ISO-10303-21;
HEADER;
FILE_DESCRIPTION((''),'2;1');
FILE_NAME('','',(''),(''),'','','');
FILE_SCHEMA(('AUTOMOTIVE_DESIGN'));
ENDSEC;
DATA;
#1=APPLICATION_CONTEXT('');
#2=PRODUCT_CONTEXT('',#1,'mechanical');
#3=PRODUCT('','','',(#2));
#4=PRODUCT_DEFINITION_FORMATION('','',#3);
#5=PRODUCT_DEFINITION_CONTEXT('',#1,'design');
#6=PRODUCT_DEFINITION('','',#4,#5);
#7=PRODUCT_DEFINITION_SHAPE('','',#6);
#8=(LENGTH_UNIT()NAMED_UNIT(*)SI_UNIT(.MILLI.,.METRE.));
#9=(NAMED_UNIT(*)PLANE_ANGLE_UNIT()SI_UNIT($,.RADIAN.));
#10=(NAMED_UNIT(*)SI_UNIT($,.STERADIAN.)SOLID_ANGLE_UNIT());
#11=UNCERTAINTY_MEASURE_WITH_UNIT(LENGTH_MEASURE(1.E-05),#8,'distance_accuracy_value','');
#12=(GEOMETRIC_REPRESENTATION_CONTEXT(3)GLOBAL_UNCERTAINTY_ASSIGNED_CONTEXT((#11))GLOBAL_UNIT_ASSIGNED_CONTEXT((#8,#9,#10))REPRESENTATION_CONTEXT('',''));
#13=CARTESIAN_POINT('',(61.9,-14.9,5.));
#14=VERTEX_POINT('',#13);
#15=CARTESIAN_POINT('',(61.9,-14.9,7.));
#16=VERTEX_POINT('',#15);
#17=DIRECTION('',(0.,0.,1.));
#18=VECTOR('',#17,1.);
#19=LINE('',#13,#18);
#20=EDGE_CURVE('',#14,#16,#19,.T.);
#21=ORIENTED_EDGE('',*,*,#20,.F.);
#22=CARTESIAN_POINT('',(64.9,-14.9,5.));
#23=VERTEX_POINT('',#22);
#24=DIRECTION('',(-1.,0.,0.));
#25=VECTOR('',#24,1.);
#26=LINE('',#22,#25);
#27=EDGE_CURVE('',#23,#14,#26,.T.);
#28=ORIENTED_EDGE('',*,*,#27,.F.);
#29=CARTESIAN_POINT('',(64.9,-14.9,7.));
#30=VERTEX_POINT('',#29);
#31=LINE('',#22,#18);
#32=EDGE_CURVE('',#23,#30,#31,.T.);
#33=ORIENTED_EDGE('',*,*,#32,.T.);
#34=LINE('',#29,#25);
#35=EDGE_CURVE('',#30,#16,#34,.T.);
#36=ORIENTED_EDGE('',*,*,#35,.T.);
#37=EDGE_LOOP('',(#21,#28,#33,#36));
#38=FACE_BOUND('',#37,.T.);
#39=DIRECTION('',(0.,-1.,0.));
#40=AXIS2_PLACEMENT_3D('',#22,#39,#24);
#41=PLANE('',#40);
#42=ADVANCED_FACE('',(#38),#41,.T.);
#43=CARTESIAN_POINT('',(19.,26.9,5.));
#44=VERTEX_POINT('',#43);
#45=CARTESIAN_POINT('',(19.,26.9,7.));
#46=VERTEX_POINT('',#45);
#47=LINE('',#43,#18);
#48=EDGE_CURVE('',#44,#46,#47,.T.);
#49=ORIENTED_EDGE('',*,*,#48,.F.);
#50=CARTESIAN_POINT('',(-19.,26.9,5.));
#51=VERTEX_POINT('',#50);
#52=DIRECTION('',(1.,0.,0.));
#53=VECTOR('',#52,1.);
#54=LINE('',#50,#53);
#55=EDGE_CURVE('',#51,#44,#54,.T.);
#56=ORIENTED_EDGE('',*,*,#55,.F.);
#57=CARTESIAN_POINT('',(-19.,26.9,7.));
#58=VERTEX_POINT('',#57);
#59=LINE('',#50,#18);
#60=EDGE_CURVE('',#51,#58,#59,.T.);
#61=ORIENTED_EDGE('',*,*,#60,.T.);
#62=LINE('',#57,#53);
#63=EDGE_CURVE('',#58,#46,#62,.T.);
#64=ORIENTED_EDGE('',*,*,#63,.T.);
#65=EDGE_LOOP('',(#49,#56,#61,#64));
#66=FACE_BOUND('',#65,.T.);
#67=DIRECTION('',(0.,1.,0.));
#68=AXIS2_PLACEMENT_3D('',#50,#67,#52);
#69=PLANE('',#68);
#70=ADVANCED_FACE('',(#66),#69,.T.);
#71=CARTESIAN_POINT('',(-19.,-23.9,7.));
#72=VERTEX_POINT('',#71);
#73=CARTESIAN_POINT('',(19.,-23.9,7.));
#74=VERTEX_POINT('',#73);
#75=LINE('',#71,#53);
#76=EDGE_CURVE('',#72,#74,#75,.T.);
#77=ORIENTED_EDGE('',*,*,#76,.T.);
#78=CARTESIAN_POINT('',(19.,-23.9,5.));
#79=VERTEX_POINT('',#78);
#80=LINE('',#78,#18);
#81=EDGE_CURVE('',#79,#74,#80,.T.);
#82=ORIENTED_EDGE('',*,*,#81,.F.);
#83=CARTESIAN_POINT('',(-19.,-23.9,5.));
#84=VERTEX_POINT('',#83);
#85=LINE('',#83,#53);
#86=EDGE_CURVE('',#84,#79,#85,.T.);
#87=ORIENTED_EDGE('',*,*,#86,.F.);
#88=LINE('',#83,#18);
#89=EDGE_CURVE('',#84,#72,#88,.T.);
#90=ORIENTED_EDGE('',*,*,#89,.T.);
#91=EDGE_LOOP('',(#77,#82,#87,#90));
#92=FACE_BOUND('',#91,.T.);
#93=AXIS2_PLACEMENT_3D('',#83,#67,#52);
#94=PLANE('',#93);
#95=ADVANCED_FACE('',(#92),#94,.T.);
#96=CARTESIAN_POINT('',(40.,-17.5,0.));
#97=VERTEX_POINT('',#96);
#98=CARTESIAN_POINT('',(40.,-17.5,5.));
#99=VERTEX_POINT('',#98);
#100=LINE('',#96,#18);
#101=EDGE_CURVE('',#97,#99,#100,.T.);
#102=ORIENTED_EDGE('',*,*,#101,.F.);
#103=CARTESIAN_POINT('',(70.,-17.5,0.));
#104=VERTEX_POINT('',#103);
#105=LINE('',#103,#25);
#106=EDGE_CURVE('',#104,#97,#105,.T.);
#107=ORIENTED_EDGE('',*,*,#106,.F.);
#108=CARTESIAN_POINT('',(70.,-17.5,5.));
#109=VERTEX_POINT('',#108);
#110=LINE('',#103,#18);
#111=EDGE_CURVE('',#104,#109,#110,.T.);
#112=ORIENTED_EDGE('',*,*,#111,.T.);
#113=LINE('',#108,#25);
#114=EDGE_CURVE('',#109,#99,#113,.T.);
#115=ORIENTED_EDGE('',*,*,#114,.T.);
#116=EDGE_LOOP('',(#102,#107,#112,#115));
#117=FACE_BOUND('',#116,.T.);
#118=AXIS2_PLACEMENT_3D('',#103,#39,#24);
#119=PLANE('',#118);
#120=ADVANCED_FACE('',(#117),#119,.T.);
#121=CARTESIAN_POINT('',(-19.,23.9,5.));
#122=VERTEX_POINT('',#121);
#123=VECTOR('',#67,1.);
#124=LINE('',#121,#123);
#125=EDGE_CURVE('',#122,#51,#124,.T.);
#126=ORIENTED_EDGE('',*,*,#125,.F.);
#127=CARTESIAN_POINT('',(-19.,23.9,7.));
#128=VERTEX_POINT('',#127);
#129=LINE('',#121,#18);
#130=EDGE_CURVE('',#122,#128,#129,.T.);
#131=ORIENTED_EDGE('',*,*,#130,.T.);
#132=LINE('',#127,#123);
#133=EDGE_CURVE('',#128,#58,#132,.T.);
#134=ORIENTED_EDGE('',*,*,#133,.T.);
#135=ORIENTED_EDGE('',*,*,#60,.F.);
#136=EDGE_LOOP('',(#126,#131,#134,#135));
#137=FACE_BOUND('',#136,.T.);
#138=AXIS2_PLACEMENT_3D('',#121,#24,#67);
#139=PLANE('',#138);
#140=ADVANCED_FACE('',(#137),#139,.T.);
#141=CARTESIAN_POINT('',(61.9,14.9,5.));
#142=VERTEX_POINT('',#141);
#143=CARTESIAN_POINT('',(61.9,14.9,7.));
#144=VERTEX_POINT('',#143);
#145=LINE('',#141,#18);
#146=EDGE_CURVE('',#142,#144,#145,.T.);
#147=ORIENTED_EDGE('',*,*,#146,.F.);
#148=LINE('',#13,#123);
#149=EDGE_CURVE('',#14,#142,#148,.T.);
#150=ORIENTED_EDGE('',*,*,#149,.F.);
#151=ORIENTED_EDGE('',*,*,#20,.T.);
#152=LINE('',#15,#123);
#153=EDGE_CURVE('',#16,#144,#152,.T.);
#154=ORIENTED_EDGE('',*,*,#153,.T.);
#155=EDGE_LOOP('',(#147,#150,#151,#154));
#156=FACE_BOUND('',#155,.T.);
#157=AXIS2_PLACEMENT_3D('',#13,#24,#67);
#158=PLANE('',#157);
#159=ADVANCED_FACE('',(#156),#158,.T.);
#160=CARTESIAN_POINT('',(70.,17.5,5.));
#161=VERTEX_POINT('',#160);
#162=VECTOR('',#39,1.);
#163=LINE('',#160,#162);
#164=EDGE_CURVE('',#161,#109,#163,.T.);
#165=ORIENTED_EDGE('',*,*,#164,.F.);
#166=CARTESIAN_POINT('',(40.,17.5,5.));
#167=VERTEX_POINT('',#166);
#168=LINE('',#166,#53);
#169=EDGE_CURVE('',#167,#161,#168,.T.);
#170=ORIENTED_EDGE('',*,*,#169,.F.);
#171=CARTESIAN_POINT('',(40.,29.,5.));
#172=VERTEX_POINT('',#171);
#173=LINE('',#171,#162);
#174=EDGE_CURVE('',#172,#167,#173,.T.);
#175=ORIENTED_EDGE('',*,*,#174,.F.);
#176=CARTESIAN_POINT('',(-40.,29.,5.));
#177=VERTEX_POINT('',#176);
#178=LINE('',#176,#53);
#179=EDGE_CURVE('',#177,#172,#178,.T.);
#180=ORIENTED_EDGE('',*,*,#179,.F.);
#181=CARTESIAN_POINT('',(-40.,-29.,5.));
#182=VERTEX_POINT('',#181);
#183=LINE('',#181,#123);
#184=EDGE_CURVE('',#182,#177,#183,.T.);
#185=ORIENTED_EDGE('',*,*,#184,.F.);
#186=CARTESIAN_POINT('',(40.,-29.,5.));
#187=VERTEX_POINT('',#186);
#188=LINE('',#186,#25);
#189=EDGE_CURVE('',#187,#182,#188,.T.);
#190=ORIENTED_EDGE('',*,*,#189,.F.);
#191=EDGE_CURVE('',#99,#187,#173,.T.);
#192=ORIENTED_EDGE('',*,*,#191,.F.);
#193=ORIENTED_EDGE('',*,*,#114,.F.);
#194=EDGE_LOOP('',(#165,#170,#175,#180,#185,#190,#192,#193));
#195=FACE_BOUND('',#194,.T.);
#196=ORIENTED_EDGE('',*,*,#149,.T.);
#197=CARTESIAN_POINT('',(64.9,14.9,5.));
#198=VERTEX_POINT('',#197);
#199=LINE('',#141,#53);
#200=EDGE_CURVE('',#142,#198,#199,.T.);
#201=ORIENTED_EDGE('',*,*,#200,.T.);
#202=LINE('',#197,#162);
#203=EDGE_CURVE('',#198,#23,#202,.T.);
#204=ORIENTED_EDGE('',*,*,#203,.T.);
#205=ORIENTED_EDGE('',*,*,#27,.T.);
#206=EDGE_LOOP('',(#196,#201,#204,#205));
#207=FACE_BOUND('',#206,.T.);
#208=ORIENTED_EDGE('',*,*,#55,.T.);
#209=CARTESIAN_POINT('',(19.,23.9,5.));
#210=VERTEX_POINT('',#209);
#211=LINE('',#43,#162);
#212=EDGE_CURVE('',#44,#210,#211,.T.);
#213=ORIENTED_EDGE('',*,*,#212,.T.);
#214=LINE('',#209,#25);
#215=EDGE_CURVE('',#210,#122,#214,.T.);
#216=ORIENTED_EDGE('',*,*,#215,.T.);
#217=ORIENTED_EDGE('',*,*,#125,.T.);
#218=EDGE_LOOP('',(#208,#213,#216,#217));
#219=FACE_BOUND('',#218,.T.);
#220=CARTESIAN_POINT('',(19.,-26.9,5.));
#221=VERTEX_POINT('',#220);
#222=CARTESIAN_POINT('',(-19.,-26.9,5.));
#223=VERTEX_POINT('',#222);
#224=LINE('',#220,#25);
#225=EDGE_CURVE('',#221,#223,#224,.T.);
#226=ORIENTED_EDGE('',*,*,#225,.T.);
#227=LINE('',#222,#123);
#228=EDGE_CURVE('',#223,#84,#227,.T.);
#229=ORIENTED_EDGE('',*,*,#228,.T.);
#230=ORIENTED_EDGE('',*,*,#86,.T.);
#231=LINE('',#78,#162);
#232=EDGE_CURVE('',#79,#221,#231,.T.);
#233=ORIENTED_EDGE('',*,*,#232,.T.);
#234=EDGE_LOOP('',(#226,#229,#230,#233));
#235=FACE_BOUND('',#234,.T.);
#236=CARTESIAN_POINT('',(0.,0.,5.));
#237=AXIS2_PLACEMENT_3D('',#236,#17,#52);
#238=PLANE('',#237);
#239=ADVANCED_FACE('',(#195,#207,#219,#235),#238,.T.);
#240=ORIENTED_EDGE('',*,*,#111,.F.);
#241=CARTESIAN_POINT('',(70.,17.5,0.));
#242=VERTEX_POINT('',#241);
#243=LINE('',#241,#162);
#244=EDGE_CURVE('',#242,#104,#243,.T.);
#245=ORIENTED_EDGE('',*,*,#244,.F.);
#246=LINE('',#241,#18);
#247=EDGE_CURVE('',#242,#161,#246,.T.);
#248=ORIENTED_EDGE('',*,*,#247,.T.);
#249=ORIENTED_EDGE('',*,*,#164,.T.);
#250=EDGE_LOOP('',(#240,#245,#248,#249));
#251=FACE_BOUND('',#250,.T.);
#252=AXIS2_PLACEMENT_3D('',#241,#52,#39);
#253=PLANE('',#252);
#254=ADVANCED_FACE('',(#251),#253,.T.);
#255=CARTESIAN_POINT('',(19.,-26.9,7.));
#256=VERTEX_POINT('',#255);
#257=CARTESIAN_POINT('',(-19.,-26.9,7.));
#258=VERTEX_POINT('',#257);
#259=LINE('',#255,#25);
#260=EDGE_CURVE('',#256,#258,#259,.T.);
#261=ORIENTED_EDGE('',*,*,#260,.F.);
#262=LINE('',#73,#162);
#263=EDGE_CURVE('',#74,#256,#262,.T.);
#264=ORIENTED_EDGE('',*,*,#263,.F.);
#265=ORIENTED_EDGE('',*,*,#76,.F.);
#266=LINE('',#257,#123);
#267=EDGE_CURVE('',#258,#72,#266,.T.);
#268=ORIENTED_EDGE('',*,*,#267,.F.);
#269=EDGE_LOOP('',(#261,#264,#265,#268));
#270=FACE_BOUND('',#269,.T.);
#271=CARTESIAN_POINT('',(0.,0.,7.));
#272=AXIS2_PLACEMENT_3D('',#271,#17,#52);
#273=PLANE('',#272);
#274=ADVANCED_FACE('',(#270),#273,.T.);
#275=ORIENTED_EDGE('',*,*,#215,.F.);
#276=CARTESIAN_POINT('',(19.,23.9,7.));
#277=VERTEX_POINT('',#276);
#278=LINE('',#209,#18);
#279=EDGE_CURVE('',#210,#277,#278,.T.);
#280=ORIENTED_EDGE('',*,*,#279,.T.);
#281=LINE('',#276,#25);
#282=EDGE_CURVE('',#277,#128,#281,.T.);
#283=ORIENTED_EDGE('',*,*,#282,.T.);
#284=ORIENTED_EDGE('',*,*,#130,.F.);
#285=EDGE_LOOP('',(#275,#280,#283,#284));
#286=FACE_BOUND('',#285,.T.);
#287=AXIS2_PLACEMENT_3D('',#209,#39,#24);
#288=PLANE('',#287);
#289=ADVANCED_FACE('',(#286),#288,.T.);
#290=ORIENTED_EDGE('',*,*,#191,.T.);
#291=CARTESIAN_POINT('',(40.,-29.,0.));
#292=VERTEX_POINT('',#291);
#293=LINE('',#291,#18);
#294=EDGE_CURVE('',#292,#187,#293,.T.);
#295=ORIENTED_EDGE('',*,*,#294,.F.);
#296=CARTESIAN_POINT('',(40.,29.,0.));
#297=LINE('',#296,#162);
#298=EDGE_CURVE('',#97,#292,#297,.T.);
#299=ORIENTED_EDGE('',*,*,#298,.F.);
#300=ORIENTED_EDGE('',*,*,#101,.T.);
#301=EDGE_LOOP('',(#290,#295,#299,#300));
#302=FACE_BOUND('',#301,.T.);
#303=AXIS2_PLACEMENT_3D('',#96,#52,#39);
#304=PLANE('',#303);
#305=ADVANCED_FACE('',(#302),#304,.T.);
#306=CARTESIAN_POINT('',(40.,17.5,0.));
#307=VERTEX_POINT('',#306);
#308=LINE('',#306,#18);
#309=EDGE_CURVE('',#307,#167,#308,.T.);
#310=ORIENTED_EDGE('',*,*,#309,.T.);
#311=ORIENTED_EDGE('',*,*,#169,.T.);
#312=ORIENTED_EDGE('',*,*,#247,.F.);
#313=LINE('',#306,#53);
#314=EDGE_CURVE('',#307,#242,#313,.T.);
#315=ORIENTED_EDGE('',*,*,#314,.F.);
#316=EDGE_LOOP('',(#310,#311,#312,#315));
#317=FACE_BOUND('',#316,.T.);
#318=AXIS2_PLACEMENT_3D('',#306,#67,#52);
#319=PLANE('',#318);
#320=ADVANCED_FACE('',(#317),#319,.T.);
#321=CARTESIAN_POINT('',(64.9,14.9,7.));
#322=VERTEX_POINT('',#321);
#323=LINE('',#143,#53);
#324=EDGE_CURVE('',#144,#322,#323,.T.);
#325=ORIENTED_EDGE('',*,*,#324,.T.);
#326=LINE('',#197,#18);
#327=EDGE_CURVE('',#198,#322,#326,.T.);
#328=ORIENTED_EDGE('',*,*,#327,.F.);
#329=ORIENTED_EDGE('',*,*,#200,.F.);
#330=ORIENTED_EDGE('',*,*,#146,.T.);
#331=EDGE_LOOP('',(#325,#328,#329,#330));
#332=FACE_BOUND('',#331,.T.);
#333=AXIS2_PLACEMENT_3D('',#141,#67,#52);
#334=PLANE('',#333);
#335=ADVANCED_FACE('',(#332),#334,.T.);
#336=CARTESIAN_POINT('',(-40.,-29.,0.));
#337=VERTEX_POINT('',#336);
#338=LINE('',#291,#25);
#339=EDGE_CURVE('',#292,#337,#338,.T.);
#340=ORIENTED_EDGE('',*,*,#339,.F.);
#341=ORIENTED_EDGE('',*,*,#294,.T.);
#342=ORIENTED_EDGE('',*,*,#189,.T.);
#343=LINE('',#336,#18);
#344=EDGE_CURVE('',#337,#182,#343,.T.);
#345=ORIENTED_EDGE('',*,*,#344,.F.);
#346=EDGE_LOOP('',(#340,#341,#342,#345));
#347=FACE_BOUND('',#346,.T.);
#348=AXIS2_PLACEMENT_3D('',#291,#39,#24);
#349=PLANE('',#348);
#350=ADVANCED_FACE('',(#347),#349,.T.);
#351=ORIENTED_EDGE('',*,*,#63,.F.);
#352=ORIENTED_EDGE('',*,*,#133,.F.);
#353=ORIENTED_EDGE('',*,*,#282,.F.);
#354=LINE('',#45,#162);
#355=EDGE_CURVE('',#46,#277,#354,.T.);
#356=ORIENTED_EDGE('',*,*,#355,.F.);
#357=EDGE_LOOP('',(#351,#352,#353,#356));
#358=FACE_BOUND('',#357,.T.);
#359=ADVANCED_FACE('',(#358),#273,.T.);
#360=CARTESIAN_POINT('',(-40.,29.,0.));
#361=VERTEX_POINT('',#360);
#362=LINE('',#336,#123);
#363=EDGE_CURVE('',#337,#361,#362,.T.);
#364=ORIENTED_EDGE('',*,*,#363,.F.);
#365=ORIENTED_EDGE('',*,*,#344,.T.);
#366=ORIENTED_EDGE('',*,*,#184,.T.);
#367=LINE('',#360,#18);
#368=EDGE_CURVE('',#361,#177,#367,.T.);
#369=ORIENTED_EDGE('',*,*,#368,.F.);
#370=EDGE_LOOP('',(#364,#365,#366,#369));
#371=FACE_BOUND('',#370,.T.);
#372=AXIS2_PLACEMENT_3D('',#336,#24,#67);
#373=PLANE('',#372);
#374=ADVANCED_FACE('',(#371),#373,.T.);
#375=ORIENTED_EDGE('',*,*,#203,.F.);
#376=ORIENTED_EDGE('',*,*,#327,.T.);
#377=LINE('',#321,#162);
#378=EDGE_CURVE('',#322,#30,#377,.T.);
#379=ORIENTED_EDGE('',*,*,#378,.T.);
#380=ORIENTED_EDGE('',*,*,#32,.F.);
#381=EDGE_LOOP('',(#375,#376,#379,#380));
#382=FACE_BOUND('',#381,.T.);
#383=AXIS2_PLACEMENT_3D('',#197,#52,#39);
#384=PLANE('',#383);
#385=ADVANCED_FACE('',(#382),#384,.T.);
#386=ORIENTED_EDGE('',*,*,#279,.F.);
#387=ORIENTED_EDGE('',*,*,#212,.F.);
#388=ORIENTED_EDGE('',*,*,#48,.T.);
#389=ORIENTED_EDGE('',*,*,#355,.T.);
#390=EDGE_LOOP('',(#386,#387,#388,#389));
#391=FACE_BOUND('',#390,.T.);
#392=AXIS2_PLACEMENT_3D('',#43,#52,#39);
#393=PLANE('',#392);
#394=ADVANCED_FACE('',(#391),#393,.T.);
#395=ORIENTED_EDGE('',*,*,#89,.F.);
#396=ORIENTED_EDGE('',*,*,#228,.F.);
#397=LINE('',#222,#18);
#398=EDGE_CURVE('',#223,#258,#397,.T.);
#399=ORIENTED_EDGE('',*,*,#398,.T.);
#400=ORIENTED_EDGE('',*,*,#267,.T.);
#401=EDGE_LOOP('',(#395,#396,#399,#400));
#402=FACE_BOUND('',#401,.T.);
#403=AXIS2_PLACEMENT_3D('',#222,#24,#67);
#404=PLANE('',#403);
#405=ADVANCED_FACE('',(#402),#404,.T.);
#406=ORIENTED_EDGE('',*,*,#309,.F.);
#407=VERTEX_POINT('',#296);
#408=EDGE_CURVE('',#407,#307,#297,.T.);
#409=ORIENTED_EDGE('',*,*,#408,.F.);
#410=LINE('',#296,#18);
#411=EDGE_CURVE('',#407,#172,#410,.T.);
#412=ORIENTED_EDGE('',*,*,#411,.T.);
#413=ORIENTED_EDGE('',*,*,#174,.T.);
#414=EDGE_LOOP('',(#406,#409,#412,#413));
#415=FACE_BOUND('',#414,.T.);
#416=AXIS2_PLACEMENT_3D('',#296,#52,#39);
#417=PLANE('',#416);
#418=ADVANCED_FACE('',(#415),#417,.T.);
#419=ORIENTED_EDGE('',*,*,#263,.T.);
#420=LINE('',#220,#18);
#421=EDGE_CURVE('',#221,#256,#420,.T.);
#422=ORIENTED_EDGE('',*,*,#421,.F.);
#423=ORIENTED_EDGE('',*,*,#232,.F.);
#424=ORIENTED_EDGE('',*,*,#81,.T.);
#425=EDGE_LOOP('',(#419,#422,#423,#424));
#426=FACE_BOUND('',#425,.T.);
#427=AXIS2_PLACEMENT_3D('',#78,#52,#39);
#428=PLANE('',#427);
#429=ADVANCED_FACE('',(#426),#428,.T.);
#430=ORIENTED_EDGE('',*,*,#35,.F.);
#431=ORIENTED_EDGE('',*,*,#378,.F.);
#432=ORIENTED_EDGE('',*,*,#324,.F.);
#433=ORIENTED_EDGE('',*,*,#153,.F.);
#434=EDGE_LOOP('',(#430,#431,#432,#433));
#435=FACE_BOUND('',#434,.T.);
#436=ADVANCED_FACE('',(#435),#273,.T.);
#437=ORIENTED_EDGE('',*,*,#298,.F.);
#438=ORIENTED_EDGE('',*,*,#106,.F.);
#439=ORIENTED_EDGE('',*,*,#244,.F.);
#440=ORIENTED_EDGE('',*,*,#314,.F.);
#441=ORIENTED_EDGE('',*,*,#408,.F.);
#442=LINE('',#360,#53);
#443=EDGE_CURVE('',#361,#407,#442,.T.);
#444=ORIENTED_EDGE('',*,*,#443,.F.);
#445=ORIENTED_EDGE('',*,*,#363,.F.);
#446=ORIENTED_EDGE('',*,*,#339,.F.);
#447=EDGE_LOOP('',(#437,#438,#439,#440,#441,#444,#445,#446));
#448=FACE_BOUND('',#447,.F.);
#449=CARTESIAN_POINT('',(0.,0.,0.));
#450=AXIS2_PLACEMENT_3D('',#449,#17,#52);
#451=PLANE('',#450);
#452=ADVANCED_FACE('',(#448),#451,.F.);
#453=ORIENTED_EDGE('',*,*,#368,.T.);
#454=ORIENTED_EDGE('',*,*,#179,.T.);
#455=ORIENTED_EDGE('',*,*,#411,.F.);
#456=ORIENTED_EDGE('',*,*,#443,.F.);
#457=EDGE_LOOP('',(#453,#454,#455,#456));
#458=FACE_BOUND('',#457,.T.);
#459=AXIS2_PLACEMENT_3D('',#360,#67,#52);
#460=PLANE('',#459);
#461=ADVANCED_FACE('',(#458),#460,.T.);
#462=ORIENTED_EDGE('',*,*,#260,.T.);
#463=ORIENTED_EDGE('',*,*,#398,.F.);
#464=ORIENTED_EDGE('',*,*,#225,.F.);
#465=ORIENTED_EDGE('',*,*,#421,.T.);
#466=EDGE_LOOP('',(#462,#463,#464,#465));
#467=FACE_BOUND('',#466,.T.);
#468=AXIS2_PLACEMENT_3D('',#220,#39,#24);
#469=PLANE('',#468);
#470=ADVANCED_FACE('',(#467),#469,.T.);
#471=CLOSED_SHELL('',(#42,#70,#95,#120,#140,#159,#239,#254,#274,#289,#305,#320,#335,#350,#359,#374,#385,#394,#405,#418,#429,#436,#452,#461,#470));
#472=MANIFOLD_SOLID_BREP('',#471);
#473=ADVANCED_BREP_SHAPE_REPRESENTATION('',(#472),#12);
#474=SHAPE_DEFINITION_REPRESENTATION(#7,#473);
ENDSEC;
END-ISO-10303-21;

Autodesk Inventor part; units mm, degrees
ref_plane "YZ Plane" through (0, 0, 0) normal (1, 0, 0) x (0, 1, 0)
ref_plane "XZ Plane" through (0, 0, 0) normal (0, 1, 0) x (-1, 0, 0)
ref_plane "XY Plane" through (0, 0, 0) normal (0, 0, 1) x (1, 0, 0)
sketch "Sketch1" plane through (0, 0, 0) normal (0, 0, 1) x (1, 0, 0)
  line L0 (-40, -29) -> (-40, 29)
  line L1 (-40, 29) -> (40, 29)
  line L2 (40, 29) -> (40, -29)
  line L3 (40, -29) -> (-40, -29)
  line L4 (-40, -29) -> (40, 29) construction
  line L5 (-40, 29) -> (40, -29) construction
  line L6 (40, 17.5) -> (70, 17.5)
  line L7 (70, 17.5) -> (70, -17.5)
  line L8 (70, -17.5) -> (40, -17.5)
  line L9 (40, -17.5) -> (40, 17.5)
  point P0 (0, 0)
  dimension "d0" = 58
  dimension "d1" = 80
  dimension "d2" = 30
  dimension "d3" = 35
sketch "Sketch2" plane through (0, 0, 0) normal (0, 0, 1) x (1, 0, 0)
  point P0 (0, 0)
extrude "Extrusion1" add sketch "Sketch1" along normal blind 5
sketch "Sketch3" plane through (0, 0, 5) normal (0, 0, 1) x (1, 0, 0)
  line L0 (-19, 26.9) -> (19, 26.9)
  line L1 (19, 26.9) -> (19, 23.9)
  line L2 (19, 23.9) -> (-19, 23.9)
  line L3 (-19, 23.9) -> (-19, 26.9)
  line L4 (-19, -23.9) -> (19, -23.9)
  line L5 (19, -23.9) -> (19, -26.9)
  line L6 (19, -26.9) -> (-19, -26.9)
  line L7 (-19, -26.9) -> (-19, -23.9)
  line L8 (61.9, 14.9) -> (64.9, 14.9)
  line L9 (64.9, 14.9) -> (64.9, -14.9)
  line L10 (64.9, -14.9) -> (61.9, -14.9)
  line L11 (61.9, -14.9) -> (61.9, 14.9)
  line L12 (40, 29) -> (-40, 29) projected
  line L13 (-40, 29) -> (-40, -29) projected
  line L14 (40, 17.5) -> (40, 29) projected
  line L15 (-40, -29) -> (40, -29) projected
  line L16 (40, -29) -> (40, -17.5) projected
  line L17 (70, -17.5) -> (70, 17.5) projected
  line L18 (70, 17.5) -> (40, 17.5) projected
  line L19 (40, -17.5) -> (70, -17.5) projected
  point P0 (0, 0)
  dimension "d6" = 2.1
  dimension "d7" = 3
  dimension "d8" = 21
  dimension "d9" = 21
  dimension "d10" = 2.1
  dimension "d11" = 21
  dimension "d12" = 21
  dimension "d13" = 3
  dimension "d14" = 5.1
  dimension "d15" = 2.6
  dimension "d16" = 2.6
  dimension "d17" = 3
extrude "Extrusion2" add sketch "Sketch3" along normal blind 2 contours L0 L1 L2 L3 | L4 L5 L6 L7 | L8 L9 L10 L11
properties part number "CageV5 Lid"
